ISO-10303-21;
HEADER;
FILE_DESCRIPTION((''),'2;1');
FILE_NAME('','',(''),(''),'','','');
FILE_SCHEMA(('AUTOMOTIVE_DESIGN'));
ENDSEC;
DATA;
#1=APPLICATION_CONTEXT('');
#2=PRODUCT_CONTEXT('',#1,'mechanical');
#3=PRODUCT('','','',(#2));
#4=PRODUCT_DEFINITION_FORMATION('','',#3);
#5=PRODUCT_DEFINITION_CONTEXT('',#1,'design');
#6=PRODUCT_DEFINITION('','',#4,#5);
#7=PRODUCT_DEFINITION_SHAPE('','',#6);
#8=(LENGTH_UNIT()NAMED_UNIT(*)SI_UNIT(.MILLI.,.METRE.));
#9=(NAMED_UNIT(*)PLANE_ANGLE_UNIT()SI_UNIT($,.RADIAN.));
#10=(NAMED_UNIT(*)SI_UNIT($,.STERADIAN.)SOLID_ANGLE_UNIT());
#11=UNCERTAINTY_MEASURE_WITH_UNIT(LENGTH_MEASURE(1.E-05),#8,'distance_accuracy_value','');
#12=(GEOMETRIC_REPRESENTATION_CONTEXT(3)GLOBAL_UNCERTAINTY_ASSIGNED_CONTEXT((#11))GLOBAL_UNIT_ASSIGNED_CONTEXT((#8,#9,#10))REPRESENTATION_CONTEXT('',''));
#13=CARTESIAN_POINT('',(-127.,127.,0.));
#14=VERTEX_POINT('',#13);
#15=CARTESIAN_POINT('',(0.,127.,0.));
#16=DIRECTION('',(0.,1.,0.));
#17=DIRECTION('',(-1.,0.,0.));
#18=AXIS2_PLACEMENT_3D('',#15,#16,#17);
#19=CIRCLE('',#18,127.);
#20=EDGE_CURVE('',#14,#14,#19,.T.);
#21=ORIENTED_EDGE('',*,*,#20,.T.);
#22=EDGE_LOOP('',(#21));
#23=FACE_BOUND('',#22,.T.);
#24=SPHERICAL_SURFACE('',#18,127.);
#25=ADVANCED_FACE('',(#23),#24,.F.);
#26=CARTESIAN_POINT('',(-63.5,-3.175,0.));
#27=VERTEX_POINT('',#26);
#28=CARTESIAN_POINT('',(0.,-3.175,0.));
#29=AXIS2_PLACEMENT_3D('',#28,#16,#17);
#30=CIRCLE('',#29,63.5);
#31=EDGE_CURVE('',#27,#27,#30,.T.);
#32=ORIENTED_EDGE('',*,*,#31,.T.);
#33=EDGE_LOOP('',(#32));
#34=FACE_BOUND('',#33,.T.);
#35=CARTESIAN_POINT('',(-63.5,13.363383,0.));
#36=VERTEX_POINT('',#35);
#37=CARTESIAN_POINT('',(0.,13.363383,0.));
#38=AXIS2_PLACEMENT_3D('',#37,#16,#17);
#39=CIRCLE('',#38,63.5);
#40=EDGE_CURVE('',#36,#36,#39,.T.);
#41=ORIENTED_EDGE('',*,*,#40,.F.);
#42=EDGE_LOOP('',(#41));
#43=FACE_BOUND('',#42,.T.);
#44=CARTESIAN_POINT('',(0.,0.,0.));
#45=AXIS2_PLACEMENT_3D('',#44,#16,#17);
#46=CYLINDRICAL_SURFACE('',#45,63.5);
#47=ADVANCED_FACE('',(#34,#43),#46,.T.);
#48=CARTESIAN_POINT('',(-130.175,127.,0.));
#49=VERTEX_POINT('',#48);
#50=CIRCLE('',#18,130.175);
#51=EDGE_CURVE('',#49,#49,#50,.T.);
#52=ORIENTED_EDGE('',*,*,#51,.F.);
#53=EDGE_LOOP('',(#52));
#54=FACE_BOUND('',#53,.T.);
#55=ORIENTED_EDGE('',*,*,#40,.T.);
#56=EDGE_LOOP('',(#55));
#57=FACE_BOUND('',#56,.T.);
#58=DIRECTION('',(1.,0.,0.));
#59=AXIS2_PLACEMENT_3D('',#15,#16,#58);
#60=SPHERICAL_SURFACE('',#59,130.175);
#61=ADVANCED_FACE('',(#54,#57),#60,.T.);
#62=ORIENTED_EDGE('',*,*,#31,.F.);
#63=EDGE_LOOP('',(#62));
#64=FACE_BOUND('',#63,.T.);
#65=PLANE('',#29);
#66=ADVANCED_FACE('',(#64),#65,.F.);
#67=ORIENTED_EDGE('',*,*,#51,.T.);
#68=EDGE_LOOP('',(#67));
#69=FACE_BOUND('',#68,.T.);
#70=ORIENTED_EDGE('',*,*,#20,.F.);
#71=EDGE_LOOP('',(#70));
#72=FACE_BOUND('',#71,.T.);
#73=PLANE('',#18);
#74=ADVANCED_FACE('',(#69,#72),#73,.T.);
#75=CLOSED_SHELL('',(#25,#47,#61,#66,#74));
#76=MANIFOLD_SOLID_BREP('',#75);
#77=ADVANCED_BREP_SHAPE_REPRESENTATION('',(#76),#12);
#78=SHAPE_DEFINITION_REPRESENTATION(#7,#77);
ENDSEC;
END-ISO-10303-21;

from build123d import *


with BuildPart() as part:
    # Sketch1 → Revolve1 (revolve)
    with BuildSketch(Plane.XY, mode=Mode.PRIVATE) as revolve1_sk:
        with BuildLine():
            Line((0, 0), (0, -3.175))
            ThreePointArc((0, -3.175), (92.047625241, 34.952374759), (130.175, 127))
            Line((130.175, 127), (127, 127))
            ThreePointArc((127, 127), (89.802561211, 37.197438789), (0, 0))
        make_face()
        with BuildLine():
            ThreePointArc((63.5, 13.363383432), (32.809176028, 1.027429202), (0, -3.175))
            Line((0, -3.175), (63.5, -3.175))
            Line((63.5, -3.175), (63.5, 13.363383432))
        make_face()
    revolve(revolve1_sk.sketch.rotate(Axis((0, 0, 0), (0, -1, 0)), 180), axis=Axis((0, 0, 0), (0, -1, 0)))


solid = part.part
